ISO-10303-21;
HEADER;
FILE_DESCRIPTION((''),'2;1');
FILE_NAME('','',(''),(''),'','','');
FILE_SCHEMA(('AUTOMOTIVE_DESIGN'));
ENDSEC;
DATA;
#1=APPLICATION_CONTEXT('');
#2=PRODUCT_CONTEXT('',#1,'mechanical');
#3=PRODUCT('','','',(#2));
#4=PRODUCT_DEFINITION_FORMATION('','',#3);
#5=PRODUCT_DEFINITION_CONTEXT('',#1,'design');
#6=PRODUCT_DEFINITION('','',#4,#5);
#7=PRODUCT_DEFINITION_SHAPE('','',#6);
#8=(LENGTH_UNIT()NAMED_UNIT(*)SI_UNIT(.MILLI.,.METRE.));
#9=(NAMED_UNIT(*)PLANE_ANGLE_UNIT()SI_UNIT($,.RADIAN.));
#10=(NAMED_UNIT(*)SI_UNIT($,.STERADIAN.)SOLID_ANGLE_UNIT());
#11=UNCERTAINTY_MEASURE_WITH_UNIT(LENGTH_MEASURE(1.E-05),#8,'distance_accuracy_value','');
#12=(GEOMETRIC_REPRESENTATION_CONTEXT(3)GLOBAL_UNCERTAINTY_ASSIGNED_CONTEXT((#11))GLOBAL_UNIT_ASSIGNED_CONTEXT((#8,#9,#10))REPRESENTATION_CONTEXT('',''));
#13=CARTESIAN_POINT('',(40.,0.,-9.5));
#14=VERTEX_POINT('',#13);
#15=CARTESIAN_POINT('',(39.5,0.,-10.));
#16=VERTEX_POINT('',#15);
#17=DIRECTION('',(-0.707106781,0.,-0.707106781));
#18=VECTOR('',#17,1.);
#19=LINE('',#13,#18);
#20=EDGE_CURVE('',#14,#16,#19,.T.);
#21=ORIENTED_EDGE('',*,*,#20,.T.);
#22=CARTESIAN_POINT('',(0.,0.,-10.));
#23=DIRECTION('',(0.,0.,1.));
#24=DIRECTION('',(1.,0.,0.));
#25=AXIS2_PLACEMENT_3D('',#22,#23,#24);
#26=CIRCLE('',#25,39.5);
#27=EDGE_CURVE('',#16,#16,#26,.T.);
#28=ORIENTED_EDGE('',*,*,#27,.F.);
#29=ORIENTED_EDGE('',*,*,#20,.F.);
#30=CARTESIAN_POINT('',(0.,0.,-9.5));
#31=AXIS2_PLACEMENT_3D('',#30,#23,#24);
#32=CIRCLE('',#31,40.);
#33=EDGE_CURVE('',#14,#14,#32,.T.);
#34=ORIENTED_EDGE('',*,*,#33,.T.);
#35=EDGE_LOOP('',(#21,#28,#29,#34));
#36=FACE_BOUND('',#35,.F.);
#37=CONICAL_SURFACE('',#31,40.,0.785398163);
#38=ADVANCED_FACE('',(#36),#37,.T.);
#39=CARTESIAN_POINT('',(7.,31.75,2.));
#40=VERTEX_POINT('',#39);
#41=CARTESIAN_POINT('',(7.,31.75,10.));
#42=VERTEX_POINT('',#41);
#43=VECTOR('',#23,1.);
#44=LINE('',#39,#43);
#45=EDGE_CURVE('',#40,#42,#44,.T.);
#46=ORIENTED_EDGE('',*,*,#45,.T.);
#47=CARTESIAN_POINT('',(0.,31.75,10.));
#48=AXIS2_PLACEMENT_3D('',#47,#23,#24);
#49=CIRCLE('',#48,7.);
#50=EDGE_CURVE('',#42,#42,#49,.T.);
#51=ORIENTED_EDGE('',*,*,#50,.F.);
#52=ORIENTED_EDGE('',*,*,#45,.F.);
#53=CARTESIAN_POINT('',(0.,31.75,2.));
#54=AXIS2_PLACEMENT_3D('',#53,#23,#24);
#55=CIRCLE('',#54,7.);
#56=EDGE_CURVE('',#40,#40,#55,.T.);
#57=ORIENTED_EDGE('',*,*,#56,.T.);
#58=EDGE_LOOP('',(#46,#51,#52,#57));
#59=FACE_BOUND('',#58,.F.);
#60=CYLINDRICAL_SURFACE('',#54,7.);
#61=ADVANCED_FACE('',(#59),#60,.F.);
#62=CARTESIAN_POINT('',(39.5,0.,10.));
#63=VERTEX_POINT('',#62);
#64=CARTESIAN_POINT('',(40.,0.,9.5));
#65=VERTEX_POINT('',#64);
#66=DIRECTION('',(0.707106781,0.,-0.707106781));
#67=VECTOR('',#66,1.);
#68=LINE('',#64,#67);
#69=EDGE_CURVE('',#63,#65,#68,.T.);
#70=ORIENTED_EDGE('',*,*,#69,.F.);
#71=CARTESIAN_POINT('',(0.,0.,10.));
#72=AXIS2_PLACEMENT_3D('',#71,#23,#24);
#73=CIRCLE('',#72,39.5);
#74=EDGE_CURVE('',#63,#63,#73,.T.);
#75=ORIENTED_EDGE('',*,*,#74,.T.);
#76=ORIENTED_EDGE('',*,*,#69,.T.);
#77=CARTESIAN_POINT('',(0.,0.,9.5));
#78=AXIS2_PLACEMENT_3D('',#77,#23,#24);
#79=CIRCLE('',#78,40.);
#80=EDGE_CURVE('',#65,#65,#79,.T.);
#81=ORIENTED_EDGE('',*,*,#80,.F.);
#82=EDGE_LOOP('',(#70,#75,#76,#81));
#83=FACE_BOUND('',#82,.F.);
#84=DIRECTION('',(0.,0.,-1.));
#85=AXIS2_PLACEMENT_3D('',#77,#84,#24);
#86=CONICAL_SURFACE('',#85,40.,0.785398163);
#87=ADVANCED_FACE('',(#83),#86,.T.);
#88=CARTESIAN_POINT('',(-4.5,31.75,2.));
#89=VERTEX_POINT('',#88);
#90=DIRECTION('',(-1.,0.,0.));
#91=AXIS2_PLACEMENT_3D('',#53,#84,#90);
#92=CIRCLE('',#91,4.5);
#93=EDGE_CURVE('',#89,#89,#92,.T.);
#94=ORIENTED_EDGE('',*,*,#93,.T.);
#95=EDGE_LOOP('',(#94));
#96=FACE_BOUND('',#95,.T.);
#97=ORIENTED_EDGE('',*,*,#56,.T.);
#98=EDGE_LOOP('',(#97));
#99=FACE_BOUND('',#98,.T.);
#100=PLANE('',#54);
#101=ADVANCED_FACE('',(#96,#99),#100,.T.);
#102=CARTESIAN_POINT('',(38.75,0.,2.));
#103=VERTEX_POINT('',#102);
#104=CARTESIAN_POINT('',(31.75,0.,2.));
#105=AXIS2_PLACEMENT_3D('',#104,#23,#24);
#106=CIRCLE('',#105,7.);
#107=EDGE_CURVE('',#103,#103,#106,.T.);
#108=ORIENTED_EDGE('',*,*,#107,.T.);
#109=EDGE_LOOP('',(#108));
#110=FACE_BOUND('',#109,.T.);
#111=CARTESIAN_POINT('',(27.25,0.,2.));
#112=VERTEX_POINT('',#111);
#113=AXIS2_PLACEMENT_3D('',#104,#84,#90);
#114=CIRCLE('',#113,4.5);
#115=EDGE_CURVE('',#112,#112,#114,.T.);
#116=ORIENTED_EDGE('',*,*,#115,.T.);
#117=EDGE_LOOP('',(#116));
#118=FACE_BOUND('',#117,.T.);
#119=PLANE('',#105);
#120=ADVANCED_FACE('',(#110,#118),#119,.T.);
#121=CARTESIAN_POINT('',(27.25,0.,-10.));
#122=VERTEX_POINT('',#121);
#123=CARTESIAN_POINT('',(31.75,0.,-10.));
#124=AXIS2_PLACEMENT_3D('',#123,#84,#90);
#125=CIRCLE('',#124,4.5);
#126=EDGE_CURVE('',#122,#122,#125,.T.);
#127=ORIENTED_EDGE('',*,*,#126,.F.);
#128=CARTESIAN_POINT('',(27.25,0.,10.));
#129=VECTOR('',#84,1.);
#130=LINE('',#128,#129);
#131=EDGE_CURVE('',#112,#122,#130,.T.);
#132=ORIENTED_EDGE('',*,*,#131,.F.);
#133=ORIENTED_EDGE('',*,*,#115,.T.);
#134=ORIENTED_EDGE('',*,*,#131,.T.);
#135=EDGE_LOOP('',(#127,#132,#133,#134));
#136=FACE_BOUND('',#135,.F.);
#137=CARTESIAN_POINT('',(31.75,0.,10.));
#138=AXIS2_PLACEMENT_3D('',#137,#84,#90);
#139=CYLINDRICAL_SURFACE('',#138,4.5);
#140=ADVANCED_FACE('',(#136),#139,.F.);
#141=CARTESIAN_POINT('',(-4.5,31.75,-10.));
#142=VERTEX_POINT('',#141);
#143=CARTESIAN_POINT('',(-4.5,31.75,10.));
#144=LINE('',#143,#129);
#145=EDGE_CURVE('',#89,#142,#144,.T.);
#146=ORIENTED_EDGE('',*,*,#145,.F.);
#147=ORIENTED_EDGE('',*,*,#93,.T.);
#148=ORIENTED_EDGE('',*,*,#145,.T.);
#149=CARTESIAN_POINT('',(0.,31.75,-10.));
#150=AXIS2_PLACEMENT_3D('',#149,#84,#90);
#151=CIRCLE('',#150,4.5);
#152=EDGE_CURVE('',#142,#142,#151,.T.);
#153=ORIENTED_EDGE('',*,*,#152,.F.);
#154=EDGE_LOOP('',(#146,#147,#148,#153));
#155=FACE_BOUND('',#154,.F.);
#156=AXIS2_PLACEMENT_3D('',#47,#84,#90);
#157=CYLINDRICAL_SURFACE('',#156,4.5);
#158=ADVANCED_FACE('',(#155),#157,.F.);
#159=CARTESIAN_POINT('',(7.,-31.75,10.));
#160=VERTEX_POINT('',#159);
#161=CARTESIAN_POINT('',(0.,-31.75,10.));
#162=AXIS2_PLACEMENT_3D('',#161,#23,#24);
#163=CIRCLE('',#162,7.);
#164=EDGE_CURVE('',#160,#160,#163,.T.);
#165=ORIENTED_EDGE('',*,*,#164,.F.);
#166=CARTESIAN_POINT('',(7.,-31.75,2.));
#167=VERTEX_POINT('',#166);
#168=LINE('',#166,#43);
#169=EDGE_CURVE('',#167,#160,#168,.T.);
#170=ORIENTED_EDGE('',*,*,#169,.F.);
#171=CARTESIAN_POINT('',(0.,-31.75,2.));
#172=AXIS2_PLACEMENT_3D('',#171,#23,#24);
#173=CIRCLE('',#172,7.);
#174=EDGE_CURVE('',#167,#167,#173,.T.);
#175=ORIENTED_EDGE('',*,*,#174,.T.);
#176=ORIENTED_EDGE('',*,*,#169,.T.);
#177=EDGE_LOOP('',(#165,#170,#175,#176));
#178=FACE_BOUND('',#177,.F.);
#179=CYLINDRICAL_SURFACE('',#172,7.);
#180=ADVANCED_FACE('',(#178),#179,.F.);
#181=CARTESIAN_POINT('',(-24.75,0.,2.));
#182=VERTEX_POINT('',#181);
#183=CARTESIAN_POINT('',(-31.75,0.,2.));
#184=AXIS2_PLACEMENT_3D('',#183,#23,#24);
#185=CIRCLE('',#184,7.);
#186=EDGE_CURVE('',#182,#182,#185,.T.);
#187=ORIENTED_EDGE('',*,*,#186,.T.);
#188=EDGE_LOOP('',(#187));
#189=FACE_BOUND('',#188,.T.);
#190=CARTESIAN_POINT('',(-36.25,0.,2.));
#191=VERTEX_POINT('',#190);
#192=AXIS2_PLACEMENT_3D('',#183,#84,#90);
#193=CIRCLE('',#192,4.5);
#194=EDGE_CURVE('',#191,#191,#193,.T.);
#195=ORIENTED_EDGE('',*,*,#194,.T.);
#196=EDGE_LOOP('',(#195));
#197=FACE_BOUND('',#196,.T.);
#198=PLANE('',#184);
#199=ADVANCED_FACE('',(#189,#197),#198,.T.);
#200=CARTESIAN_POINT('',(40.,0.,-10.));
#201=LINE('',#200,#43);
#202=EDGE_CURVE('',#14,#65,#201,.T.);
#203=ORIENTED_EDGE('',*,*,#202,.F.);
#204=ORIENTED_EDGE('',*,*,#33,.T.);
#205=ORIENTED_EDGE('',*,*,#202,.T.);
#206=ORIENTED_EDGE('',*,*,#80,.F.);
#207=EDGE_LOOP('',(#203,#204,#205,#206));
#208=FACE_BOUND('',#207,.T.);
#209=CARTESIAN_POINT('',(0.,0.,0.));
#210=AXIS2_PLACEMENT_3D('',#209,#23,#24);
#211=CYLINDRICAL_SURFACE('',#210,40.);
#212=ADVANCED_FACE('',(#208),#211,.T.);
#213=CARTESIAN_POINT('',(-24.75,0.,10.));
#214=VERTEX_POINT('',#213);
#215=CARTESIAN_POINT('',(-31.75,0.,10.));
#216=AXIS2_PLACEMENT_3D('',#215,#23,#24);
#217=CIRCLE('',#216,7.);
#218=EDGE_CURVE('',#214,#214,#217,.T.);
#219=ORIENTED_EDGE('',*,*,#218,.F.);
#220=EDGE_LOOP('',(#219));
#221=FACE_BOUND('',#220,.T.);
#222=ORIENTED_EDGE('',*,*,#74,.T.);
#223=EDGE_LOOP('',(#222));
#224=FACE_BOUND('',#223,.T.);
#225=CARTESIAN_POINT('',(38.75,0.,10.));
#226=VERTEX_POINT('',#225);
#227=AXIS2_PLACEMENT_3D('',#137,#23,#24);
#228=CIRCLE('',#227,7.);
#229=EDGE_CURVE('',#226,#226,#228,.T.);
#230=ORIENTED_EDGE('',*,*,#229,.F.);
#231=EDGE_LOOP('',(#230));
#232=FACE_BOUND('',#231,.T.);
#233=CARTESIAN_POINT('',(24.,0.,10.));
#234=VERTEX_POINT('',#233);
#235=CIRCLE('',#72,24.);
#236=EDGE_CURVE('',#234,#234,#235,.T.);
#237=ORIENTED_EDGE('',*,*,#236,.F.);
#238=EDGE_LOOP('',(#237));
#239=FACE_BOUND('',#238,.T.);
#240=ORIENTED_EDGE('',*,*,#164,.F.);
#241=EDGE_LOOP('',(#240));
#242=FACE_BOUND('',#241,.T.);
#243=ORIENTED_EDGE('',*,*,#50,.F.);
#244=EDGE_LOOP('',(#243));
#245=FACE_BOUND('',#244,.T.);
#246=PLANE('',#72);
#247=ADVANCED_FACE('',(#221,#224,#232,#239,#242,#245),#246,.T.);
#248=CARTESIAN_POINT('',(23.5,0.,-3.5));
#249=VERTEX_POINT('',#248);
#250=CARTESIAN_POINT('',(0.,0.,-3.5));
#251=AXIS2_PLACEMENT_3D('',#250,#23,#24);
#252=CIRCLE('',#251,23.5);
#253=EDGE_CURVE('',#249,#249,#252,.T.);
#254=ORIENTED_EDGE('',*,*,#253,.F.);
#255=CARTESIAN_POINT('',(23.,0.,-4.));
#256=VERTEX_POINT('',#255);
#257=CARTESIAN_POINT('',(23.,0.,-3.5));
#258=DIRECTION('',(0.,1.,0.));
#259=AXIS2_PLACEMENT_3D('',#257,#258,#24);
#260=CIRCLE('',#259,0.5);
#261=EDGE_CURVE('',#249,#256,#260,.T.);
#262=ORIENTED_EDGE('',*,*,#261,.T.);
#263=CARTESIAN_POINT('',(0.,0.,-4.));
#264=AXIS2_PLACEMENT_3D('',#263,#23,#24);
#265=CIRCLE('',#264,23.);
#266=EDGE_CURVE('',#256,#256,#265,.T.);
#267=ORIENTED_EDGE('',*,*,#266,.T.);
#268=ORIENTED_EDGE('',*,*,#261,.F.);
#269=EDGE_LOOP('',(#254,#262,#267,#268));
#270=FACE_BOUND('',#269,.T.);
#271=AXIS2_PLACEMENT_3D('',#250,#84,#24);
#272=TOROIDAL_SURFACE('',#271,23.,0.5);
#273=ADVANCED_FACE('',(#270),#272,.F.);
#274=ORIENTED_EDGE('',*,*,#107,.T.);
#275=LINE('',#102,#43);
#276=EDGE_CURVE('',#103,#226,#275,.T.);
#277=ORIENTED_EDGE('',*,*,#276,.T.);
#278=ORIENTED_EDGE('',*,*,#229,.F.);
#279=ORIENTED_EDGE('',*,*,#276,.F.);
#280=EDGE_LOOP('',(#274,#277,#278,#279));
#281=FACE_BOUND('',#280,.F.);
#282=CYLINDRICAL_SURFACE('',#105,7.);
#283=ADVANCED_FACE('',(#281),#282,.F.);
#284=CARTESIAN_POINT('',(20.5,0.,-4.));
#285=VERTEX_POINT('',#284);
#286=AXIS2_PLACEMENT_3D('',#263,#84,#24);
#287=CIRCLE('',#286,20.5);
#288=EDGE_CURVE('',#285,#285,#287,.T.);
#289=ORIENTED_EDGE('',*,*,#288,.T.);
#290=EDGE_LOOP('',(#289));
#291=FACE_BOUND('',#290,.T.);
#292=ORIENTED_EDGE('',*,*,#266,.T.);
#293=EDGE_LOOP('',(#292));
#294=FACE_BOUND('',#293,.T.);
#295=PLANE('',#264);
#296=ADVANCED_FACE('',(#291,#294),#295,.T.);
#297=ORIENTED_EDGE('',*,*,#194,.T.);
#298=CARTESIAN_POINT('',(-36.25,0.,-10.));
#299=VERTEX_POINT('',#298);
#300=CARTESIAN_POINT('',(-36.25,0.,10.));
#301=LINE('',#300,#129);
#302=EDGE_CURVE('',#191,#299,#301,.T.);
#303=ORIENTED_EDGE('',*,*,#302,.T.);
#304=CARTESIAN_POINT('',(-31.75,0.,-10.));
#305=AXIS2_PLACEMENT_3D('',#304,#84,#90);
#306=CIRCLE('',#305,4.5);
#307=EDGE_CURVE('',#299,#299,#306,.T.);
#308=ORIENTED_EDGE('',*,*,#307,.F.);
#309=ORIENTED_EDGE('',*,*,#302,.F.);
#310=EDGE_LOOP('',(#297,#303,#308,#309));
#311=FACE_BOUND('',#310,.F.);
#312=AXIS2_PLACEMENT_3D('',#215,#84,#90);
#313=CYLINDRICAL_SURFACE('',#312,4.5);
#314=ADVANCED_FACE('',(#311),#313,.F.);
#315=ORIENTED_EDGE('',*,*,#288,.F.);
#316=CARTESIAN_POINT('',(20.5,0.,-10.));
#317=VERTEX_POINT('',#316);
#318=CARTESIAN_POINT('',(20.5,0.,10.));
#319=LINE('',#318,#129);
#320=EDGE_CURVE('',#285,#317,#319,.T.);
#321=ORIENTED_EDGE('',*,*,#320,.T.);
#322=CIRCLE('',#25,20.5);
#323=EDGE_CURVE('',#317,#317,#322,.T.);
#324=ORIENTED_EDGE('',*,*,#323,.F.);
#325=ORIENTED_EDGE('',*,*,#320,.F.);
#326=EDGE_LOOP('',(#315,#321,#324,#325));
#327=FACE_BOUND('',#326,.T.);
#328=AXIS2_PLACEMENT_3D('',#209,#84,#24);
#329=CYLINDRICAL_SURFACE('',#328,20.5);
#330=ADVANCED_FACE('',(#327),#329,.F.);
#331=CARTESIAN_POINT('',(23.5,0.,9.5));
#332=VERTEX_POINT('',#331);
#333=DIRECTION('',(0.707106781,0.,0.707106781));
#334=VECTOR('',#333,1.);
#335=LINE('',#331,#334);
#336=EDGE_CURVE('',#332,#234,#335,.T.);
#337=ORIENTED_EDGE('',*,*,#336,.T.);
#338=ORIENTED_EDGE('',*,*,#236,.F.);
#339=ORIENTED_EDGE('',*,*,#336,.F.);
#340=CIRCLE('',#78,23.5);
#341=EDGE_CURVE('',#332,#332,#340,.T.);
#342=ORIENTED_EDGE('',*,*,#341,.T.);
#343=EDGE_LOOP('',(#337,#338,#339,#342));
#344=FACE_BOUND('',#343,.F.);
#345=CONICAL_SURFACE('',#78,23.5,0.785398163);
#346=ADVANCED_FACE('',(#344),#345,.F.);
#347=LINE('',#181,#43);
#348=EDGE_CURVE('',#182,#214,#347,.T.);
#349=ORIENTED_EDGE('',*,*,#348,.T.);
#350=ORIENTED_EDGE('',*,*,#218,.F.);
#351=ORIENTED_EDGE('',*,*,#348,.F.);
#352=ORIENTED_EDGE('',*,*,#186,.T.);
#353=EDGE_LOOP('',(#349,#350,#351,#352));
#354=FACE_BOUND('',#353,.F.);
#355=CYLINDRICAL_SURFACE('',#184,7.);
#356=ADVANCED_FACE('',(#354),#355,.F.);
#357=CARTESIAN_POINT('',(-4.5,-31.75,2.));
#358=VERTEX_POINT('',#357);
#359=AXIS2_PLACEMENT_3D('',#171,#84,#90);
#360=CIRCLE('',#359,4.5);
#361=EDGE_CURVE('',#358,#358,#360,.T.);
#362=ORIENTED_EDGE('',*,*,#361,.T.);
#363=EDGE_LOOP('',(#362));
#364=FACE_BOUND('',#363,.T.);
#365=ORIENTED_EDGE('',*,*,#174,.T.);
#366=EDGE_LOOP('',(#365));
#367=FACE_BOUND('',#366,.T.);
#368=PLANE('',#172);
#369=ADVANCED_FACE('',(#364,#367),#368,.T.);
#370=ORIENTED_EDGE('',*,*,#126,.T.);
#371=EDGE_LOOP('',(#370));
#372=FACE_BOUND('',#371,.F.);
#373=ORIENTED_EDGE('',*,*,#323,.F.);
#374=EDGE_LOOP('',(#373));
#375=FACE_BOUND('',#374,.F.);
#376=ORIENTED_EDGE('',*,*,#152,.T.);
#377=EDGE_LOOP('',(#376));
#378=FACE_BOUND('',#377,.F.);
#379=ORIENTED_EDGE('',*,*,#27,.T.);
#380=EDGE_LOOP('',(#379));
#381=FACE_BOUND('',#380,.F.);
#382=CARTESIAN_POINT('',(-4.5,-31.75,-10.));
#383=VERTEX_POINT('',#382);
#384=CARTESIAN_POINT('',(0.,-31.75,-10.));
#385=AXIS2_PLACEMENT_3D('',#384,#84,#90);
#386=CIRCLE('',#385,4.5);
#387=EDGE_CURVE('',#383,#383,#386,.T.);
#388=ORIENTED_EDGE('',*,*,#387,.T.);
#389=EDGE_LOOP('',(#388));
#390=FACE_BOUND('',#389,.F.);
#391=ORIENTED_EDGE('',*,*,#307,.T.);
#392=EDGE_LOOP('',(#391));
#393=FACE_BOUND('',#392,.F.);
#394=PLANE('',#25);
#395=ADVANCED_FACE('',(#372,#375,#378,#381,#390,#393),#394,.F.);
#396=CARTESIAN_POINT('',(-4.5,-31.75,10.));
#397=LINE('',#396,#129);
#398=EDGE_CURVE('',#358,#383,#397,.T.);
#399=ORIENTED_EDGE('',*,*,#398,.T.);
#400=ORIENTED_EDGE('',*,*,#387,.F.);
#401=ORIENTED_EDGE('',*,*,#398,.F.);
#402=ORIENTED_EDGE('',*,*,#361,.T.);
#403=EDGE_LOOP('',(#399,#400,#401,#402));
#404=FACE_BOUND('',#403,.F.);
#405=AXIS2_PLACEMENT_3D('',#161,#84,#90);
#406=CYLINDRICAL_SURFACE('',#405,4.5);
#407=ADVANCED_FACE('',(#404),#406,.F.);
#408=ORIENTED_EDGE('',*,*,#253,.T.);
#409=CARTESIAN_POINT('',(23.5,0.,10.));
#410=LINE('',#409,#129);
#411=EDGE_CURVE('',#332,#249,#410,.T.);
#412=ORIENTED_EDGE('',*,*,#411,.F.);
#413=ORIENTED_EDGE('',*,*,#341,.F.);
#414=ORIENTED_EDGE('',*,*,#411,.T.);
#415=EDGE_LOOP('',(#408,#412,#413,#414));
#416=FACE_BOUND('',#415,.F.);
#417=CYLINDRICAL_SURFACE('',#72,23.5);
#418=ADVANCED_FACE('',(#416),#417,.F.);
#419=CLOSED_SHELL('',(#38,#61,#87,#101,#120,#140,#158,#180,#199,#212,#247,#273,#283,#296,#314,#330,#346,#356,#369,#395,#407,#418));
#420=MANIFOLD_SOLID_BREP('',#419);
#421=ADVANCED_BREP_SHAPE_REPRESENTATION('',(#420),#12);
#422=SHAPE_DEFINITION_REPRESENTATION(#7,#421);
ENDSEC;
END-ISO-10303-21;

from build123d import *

# Parameters (mm, degrees)
F0_R           = 40
F0_R_2         = 20.5
F1_DEPTH       = 10
F2_R           = 23.5
F3_DEPTH       = 14
F4_R           = 0.5
F5_SIZE        = 0.5
F7_D           = 9
F7_CBORE_D     = 14
F7_CBORE_DEPTH = 8


with BuildPart() as f1:
    # F0 (on Top) → F1 (new body, symmetric)
    with BuildSketch(Plane.XY):
        Circle(F0_R)
        Circle(F0_R_2, mode=Mode.SUBTRACT)
    extrude(amount=F1_DEPTH, both=True)

    # F2 (on face) → F3 (cut)
    with BuildSketch(Plane.XY.offset(10)):
        Circle(F2_R)
    extrude(amount=-F3_DEPTH, mode=Mode.SUBTRACT)

    # F4
    f4_edges = [f1.edges().sort_by_distance(p)[0] for p in [
        (-23.5, 0, -4),
    ]]
    fillet(f4_edges, radius=F4_R)

    # F5
    f5_edges = [f1.edges().sort_by_distance(p)[0] for p in [
        (-23.5, 0, 10),
        (-40, 0, 10),
        (-40, 0, -10),
    ]]
    chamfer(f5_edges, length=F5_SIZE)

    # F7 (through all)
    with Locations(Plane.XY.offset(10)):
        with Locations((0, 31.75), (0, -31.75), (31.75, 0), (-31.75, 0)):
            CounterBoreHole(F7_D / 2, F7_CBORE_D / 2, F7_CBORE_DEPTH)


solid = f1.part
